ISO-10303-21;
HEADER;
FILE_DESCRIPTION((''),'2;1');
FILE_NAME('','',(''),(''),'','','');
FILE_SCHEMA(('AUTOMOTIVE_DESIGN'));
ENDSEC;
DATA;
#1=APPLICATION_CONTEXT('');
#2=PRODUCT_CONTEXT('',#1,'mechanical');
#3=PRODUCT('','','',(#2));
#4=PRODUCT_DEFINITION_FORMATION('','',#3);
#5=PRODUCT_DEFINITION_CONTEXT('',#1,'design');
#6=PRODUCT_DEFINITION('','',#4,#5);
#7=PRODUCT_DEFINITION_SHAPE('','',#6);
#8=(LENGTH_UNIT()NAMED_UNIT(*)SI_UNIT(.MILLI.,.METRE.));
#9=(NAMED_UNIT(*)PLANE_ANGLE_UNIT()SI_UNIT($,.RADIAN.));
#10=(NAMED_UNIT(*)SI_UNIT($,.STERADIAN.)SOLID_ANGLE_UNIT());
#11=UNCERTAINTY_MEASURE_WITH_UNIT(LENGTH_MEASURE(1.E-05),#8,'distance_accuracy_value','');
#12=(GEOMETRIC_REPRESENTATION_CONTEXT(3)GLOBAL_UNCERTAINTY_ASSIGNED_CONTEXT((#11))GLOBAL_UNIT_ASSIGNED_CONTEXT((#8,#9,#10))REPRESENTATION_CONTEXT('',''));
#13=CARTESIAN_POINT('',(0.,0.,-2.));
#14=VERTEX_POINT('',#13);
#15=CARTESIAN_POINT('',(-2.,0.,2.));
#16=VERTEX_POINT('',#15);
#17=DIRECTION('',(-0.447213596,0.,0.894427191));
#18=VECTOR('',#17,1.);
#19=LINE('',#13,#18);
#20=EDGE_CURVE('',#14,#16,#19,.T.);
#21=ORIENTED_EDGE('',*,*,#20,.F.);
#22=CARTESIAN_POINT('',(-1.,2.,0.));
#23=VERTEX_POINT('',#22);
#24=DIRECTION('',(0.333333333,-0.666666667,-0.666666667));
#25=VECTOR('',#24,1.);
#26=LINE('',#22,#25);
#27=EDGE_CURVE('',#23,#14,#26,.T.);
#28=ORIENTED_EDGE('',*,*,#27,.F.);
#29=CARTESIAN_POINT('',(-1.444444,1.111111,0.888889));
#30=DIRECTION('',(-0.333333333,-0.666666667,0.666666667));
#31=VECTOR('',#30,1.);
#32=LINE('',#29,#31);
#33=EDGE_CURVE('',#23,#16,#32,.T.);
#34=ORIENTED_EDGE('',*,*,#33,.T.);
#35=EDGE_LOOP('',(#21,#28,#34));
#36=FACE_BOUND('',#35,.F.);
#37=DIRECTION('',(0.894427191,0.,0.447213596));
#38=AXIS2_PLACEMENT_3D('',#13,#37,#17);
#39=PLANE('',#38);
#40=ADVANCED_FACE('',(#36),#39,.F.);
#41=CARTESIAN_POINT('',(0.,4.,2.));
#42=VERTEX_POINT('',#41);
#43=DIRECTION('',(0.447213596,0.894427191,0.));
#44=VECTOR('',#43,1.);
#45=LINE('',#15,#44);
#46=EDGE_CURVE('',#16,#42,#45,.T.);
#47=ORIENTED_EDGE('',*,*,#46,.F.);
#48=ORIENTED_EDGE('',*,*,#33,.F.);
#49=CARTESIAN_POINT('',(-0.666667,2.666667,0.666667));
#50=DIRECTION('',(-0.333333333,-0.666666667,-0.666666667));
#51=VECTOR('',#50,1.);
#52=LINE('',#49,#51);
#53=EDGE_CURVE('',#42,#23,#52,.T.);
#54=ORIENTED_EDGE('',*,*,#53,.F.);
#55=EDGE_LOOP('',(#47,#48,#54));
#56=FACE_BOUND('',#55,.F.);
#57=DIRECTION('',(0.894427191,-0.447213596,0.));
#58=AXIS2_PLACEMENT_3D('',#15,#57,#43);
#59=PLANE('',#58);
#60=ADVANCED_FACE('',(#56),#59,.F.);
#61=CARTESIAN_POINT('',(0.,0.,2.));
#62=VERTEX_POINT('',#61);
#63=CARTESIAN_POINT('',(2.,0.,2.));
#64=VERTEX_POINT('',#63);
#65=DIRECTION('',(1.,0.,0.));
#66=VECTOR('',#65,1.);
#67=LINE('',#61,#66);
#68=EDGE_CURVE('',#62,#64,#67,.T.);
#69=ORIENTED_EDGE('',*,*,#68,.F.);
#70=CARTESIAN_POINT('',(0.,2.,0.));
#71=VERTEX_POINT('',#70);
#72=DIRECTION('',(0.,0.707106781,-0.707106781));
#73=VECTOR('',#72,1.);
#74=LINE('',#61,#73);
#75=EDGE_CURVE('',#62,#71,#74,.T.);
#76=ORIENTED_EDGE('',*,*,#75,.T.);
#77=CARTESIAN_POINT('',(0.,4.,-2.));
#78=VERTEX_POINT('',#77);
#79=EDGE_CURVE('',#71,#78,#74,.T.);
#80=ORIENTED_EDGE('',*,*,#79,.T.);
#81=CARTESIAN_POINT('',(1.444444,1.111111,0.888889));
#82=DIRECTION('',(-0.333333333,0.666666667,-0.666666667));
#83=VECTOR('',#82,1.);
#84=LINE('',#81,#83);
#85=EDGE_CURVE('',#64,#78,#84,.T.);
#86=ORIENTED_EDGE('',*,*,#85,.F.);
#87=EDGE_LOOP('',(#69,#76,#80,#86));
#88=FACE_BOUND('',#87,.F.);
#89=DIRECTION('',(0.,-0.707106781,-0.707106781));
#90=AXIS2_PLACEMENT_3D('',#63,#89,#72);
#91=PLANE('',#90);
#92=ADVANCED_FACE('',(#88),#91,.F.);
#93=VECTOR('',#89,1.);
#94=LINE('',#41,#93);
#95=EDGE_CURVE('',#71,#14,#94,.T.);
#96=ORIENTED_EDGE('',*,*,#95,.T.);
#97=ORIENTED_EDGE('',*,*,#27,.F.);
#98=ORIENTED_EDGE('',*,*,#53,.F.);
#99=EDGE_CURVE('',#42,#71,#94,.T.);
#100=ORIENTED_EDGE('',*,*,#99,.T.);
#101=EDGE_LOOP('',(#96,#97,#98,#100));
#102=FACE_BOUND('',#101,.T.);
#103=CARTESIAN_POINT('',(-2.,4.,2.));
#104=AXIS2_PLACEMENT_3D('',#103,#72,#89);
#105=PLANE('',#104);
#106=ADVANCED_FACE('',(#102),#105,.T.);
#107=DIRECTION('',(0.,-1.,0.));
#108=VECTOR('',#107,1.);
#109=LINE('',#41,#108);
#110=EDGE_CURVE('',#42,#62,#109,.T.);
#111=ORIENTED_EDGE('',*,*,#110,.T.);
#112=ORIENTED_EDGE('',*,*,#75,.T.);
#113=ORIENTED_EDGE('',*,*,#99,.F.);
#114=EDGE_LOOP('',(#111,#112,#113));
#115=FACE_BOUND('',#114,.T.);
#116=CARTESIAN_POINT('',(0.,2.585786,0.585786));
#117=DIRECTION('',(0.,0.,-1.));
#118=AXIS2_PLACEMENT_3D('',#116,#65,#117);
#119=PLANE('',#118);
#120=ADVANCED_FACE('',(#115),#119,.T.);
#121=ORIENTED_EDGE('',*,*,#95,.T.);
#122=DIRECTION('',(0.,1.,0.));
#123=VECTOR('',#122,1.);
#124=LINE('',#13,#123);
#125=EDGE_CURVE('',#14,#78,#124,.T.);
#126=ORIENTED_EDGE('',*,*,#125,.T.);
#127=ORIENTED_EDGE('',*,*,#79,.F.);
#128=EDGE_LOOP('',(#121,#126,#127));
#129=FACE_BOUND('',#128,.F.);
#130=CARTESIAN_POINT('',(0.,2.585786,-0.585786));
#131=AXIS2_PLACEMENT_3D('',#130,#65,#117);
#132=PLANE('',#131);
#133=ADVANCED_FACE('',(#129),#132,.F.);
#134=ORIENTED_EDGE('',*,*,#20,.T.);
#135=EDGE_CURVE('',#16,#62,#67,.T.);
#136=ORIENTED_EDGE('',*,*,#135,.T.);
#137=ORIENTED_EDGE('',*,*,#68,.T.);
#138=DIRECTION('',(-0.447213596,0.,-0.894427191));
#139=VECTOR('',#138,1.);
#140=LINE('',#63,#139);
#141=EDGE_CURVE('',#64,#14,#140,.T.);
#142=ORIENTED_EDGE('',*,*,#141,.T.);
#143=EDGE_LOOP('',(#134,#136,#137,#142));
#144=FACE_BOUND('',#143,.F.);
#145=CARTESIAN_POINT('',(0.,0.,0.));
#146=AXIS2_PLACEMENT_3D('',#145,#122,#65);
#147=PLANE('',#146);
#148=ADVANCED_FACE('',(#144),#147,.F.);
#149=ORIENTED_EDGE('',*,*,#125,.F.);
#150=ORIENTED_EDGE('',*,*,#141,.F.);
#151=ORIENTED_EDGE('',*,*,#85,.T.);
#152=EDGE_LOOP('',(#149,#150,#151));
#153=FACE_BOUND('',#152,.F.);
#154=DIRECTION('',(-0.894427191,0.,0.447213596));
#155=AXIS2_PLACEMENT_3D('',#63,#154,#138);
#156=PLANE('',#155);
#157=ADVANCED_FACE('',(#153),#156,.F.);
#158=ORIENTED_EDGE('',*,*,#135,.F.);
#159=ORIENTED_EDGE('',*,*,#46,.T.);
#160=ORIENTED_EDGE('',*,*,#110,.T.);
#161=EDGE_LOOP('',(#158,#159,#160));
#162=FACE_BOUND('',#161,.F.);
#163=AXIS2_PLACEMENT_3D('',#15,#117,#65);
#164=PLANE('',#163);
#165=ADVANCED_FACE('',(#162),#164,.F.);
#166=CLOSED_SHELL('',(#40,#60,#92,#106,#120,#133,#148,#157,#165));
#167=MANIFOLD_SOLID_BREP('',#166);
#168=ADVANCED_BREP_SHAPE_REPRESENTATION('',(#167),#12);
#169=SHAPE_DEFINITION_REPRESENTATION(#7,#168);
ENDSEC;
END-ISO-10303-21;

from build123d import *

# Parameters (mm, degrees)
SKETCH1_W           = 4
SKETCH1_H           = 4
BOSS_EXTRUDE1_DEPTH = 4
CUT_EXTRUDE1_DEPTH  = 2
CUT_EXTRUDE2_DEPTH  = 2
CUT_EXTRUDE3_DEPTH  = 10
CUT_EXTRUDE4_DEPTH  = 10


with BuildPart() as part:
    # Sketch1 → Boss-Extrude1 (new body)
    with BuildSketch(Plane(origin=(0, 0, 0), x_dir=(1, 0, 0), z_dir=(0, 1, 0))):
        Rectangle(SKETCH1_W, SKETCH1_H)
    extrude(amount=BOSS_EXTRUDE1_DEPTH)

    # Sketch2 → Cut-Extrude1 (cut)
    with BuildSketch(Plane.ZY.offset(2)):
        Polygon((2, 4), (-2, 0), (-2, 4), align=None)
    extrude(amount=-CUT_EXTRUDE1_DEPTH, mode=Mode.SUBTRACT)

    # Sketch3 → Cut-Extrude2 (cut)
    with BuildSketch(Plane(origin=(2, 0, 0), x_dir=(0, 0, -1), z_dir=(1, 0, 0))):
        Polygon((-2, 0), (2, 4), (-2, 4), align=None)
    extrude(amount=-CUT_EXTRUDE2_DEPTH, mode=Mode.SUBTRACT)

    # Sketch4 → Cut-Extrude3 (cut)
    with BuildSketch(Plane.XY.offset(2)):
        Polygon((-2, 0), (0, 4), (-2, 4), align=None)
        Polygon((2, 4), (0, 4), (2, 0), align=None)
    extrude(amount=-CUT_EXTRUDE3_DEPTH, mode=Mode.SUBTRACT)

    # Sketch5 → Cut-Extrude4 (cut)
    with BuildSketch(Plane.XZ):
        Polygon((2, 2), (0, -2), (2, -2), align=None)
        Polygon((0, -2), (-2, 2), (-2, -2), align=None)
    extrude(amount=-CUT_EXTRUDE4_DEPTH, mode=Mode.SUBTRACT)


solid = part.part
